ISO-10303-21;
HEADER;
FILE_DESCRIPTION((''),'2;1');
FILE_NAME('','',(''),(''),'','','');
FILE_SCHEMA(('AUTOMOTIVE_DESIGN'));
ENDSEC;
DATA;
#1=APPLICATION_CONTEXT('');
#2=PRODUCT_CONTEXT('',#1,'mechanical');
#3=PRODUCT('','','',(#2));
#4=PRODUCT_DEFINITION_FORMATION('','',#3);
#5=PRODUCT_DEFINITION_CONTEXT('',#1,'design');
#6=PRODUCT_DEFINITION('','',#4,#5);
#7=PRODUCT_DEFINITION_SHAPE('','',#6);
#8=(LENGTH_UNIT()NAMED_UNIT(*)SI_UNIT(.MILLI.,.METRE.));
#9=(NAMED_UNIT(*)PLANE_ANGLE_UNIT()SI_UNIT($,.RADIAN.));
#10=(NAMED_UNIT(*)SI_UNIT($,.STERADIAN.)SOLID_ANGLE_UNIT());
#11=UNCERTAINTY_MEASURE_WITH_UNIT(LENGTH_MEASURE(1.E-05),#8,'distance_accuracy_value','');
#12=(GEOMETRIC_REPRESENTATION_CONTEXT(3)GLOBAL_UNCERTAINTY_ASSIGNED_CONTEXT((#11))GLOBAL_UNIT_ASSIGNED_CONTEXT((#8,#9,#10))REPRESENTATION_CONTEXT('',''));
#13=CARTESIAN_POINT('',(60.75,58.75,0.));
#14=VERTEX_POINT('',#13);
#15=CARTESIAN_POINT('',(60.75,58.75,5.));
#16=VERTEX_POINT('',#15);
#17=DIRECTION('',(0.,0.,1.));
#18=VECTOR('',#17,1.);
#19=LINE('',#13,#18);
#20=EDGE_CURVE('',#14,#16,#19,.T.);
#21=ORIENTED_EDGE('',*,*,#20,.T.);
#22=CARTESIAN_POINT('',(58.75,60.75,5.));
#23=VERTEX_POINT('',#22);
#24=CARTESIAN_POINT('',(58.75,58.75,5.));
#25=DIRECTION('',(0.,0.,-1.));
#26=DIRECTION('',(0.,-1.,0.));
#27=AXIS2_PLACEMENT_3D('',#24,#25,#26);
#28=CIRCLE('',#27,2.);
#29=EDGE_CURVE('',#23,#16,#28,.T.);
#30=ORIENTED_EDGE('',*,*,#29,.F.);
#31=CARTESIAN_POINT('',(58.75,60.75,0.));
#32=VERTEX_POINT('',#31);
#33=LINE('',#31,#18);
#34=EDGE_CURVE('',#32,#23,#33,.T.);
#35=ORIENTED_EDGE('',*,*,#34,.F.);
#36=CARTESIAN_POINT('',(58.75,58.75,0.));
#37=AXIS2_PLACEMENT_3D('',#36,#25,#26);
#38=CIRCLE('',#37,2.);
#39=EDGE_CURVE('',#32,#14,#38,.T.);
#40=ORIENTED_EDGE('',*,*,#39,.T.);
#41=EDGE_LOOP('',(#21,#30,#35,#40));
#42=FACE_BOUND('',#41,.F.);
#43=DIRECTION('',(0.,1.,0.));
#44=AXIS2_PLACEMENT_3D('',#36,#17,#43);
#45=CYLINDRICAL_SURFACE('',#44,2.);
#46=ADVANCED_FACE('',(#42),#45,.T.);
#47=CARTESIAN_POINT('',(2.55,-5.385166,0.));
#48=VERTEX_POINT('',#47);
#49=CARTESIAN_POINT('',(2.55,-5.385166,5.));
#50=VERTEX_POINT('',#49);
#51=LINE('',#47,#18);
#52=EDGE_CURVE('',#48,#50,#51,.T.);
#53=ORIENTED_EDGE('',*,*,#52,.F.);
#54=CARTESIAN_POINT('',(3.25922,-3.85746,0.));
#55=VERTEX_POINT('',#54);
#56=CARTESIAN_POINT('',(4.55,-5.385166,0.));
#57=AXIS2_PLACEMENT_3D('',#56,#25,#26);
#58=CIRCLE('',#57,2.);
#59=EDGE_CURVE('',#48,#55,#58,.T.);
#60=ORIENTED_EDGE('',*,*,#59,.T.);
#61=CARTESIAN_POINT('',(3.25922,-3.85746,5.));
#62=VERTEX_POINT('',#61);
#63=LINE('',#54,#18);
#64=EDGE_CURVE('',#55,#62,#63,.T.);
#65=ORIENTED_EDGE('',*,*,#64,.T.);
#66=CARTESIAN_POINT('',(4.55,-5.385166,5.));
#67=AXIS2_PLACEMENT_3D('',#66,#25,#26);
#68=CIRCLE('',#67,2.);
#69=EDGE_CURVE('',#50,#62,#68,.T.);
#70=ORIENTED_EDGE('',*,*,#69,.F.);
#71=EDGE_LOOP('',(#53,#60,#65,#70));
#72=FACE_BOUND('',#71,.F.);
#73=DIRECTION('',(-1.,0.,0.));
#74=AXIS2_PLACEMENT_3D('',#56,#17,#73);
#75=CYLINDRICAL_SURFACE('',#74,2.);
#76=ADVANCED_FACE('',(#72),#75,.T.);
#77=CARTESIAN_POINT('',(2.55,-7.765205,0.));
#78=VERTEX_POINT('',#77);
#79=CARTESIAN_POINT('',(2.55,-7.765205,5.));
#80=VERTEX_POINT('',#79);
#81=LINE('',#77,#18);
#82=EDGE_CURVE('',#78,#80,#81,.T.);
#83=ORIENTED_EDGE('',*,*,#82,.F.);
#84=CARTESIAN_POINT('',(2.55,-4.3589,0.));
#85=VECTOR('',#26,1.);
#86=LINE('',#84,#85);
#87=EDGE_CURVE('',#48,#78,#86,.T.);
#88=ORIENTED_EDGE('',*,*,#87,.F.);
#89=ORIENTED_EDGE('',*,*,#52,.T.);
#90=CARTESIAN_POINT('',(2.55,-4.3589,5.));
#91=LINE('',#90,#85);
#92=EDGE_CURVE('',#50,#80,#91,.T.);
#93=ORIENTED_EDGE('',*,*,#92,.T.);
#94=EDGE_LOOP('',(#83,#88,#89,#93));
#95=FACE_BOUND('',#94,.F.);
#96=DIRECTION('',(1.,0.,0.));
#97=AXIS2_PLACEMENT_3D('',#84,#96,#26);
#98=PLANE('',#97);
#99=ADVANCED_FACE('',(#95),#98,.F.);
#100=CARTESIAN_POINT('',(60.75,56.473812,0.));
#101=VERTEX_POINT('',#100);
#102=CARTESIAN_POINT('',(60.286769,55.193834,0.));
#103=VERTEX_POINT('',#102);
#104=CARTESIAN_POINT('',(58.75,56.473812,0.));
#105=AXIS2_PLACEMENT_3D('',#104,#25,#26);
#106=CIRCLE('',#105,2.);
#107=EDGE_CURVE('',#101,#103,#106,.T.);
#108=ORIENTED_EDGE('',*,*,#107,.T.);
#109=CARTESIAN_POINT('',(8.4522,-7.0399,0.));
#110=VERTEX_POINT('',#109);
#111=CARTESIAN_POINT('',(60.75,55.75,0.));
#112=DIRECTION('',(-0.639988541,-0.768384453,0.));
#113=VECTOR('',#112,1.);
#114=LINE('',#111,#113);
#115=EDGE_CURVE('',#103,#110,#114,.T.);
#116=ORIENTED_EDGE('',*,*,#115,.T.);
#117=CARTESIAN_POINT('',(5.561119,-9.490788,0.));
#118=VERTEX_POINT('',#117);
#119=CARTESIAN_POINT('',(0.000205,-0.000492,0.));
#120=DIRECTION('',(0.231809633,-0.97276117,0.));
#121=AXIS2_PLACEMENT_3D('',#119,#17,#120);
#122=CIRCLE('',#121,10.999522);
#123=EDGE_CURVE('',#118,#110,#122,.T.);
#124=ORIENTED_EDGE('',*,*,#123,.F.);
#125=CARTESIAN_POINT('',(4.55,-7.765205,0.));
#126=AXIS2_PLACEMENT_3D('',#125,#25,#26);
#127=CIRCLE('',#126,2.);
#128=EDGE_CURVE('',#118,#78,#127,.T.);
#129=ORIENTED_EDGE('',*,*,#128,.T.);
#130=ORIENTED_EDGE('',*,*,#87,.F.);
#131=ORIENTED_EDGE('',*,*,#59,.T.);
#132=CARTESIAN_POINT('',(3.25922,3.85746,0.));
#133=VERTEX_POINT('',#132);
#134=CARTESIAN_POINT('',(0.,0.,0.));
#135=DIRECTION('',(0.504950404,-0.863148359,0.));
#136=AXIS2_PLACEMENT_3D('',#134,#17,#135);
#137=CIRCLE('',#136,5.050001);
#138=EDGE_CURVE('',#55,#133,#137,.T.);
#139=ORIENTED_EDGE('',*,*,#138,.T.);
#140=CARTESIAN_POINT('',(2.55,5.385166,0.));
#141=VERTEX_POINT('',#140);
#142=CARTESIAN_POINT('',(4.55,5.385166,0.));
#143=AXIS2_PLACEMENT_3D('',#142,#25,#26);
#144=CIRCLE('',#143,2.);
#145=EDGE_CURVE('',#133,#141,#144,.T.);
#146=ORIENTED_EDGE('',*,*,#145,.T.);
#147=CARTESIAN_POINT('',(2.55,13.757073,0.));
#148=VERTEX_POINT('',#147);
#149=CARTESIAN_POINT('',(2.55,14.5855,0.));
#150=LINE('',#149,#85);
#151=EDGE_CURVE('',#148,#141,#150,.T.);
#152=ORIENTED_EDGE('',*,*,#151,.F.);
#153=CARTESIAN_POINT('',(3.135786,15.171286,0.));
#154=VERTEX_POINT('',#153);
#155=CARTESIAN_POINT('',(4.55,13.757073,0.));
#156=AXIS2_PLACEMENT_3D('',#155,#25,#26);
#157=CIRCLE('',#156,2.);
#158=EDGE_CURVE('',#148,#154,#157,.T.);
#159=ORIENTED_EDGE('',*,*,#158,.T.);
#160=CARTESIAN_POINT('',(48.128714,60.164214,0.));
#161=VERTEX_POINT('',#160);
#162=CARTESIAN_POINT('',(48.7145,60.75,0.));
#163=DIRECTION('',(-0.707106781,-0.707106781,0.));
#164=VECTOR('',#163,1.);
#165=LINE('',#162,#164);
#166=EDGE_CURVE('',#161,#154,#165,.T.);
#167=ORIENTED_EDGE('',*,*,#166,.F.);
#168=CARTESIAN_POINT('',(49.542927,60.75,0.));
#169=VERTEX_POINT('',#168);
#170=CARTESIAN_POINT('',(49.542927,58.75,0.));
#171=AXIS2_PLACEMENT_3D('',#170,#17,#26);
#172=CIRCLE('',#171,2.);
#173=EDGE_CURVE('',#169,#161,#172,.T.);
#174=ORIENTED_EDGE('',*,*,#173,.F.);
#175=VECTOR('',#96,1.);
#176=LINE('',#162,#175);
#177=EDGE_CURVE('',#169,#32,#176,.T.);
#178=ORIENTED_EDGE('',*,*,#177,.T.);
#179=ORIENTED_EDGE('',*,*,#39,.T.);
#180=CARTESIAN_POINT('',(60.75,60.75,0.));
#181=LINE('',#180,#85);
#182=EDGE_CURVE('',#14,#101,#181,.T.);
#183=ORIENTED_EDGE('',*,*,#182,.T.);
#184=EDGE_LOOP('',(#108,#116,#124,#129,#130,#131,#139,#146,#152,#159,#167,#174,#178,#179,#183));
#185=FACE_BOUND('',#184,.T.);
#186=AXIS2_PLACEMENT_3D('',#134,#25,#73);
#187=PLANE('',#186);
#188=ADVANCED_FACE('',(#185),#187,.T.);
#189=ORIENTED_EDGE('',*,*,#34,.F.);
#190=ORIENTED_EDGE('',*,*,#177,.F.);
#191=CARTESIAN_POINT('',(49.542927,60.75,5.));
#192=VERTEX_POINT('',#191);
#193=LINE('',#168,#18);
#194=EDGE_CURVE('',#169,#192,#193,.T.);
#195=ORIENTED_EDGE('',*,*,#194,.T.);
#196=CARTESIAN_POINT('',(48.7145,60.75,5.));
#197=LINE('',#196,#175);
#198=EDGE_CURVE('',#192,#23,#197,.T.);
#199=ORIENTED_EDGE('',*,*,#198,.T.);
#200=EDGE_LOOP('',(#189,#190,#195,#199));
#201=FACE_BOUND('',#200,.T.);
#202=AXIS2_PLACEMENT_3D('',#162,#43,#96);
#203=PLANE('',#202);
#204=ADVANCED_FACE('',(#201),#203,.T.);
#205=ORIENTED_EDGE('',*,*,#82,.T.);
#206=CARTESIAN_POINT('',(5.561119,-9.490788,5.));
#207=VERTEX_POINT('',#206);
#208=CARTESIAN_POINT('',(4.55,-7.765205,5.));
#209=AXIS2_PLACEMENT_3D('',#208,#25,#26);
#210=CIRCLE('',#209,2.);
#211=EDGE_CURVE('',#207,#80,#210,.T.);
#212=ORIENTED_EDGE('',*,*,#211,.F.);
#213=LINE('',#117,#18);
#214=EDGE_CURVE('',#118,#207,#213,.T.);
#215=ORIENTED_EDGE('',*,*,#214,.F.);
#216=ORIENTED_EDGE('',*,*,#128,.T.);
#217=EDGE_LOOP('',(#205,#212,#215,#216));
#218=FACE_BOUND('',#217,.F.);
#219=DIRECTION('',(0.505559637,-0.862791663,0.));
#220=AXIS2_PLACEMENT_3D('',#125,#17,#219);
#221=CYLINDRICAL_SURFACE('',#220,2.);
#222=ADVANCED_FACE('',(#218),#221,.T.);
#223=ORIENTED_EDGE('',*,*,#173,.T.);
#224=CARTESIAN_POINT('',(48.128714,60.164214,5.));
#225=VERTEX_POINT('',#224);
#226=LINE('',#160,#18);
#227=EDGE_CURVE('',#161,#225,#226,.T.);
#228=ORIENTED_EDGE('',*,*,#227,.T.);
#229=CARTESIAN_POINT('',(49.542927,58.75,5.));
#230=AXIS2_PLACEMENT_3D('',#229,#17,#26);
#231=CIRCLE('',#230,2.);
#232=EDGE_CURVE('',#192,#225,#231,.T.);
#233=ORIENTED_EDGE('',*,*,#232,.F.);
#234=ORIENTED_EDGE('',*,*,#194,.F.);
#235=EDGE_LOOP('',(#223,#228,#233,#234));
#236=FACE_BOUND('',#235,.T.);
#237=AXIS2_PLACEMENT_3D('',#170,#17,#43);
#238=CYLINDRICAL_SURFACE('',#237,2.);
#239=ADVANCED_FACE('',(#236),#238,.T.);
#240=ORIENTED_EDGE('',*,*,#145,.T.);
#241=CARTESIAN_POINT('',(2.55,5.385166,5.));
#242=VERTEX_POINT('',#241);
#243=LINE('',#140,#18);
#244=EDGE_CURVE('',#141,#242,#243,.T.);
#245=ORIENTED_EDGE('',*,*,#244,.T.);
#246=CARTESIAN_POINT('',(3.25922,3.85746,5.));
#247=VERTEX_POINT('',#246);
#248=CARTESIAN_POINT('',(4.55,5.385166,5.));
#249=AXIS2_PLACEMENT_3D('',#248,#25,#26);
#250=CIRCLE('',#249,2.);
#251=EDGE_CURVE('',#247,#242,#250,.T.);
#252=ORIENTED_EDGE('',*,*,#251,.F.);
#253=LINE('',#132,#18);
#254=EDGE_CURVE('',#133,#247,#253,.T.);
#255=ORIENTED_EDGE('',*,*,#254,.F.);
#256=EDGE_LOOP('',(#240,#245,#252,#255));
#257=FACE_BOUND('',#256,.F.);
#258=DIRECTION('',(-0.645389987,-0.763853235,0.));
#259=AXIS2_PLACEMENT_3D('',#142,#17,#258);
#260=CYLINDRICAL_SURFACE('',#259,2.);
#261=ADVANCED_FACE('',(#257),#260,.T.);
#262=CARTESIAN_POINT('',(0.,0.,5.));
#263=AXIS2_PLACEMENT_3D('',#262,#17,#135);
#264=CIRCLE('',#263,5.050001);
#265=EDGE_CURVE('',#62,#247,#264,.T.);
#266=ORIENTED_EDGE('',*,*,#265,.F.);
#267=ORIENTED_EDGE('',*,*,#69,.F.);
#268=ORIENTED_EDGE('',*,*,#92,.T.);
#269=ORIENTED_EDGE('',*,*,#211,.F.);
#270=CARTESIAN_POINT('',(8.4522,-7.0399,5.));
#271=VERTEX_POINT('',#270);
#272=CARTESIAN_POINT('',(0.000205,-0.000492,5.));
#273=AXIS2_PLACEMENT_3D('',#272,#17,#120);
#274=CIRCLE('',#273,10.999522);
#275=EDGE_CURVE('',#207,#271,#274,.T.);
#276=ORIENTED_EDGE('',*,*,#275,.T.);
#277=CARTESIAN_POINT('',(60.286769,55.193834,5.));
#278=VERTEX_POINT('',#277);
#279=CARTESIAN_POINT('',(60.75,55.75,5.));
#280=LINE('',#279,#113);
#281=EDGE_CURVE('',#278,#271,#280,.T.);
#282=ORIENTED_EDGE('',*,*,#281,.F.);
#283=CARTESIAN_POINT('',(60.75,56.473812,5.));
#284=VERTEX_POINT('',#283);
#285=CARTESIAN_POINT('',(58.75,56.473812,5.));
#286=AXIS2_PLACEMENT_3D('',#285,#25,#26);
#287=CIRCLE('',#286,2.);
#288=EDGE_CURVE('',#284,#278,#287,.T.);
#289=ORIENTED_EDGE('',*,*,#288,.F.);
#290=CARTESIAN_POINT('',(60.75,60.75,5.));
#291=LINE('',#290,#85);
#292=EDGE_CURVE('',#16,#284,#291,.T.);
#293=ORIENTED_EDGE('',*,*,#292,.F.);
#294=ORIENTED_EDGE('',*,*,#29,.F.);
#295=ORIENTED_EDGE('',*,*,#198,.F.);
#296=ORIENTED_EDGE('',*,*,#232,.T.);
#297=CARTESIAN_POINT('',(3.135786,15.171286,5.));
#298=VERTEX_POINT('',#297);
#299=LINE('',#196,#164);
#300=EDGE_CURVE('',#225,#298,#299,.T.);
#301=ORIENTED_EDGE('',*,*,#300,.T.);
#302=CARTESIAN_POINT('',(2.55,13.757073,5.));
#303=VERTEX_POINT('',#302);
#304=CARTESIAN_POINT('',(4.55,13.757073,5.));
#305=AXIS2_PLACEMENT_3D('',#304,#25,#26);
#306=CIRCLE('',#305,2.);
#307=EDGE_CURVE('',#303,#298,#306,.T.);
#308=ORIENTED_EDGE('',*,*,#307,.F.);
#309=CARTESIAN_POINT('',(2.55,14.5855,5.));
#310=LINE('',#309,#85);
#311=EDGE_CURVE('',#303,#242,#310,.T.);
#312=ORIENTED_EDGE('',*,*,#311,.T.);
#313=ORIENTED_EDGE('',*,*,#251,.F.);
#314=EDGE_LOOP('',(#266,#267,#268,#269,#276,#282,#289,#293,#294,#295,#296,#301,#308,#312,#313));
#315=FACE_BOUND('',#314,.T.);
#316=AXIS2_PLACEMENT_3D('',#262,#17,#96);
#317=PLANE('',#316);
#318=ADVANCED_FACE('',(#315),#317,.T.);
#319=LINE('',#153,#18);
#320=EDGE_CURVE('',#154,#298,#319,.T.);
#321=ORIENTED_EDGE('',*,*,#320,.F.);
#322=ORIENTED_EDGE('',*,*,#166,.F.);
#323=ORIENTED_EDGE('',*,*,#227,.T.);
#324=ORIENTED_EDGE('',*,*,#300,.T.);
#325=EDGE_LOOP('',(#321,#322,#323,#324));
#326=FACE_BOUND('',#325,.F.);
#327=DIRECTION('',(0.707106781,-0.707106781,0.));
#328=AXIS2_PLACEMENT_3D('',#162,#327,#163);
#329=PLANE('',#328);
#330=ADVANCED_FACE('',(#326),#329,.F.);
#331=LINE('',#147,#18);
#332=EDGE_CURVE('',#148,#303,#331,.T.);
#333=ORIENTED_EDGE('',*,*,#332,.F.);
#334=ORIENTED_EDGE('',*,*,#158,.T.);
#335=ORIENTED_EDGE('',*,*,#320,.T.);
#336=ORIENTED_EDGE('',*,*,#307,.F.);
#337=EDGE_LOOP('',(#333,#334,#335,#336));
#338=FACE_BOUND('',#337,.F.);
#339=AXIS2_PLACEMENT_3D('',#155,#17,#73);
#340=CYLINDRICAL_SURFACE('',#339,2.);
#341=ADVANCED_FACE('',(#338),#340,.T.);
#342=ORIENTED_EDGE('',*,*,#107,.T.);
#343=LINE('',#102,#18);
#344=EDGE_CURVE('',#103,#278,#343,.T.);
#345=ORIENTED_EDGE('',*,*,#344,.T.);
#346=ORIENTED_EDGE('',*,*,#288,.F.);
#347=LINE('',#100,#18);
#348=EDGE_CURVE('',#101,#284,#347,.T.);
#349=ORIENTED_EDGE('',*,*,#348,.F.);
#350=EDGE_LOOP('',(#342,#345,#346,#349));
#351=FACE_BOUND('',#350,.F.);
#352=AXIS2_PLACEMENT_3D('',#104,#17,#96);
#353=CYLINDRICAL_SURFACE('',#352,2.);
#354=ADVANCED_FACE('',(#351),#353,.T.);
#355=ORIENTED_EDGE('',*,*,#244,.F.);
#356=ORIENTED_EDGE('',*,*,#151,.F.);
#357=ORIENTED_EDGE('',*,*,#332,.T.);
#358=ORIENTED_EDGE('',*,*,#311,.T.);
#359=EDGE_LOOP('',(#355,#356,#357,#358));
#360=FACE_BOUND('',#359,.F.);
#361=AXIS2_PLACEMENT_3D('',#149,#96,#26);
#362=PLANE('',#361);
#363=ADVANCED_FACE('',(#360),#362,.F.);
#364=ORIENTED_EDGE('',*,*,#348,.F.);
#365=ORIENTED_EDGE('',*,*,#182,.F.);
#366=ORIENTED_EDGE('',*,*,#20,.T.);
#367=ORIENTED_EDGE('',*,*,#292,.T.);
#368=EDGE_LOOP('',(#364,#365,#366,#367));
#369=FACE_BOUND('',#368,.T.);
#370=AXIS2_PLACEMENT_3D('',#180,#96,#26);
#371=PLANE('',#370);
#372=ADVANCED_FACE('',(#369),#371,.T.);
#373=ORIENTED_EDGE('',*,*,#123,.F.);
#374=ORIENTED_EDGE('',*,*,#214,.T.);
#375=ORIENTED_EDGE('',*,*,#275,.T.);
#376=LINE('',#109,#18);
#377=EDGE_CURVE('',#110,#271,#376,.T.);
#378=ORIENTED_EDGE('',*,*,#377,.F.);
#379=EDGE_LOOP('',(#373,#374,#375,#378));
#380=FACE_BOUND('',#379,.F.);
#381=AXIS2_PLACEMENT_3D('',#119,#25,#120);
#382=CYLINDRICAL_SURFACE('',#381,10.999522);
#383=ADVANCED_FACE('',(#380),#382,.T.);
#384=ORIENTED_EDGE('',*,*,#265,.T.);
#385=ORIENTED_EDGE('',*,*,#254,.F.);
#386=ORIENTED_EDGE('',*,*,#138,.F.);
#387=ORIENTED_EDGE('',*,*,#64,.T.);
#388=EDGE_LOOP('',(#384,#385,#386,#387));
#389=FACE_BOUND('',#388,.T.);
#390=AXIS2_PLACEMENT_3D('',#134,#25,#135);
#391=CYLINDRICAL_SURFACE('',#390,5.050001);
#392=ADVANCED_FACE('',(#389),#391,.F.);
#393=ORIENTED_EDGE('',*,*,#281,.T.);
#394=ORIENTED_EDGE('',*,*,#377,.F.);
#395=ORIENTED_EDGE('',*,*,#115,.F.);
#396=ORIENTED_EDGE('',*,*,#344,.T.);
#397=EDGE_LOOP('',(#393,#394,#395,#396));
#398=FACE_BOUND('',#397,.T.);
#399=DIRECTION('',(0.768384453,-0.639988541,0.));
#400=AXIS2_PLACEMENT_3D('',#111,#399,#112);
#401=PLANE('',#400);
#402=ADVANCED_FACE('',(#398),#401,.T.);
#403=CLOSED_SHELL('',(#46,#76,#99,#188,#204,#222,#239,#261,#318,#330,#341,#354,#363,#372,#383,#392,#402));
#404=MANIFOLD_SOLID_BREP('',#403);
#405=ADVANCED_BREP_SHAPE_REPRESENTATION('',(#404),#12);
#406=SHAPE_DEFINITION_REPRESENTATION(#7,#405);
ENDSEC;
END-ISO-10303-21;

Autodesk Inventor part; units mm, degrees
ref_plane "YZ Plane" through (0, 0, 0) normal (1, 0, 0) x (0, 1, 0)
ref_plane "XZ Plane" through (0, 0, 0) normal (0, 1, 0) x (-1, 0, 0)
ref_plane "XY Plane" through (0, 0, 0) normal (0, 0, 1) x (1, 0, 0)
sketch "スケッチ1" plane through (0, 0, 0) normal (0, 0, 1) x (1, 0, 0)
  circle A0 centre (0, 0) radius 11 construction
  circle A1 centre (0, 8.5) radius 1.35
  circle A2 centre (0, 8.5) radius 2.5 construction
  circle A3 centre (0, 0) radius 5.05 construction
  circle A4 centre (0, -8.5) radius 1.35
  line L0 (48.7145, 60.75) -> (2.55, 14.5855)
  line L1 (0, 0) -> (0, 48.2635) construction
  line L2 (60.75, 60.75) -> (0, 0) construction
  line L3 (48.7145, 60.75) -> (60.75, 60.75)
  line L4 (60.75, 60.75) -> (60.75, 55.75)
  arc A5 (2.55, -10.7004) -> (8.4522, -7.0399) centre (0, 0) ccw
  line L5 (60.75, 55.75) -> (8.4522, -7.0399)
  circle A6 centre (0, 0) radius 8.5 construction
  circle A7 centre (8.5, 0) radius 1.35
  line L6 (2.55, 14.5855) -> (2.55, 4.3589)
  arc A8 (2.55, -4.3589) -> (2.55, 4.3589) centre (0, 0) ccw
  line L7 (2.55, -4.3589) -> (2.55, -10.7004)
  dimension "d3" = 10.1
  dimension "d0" = 2.7
  dimension "d1" = 8.5
  dimension "d2" = 5
  dimension "d6" = 360
  dimension "d11" = 45
  dimension "d13" = 60.75
  dimension "d17" = 5
  dimension "d18" = 2.55
extrude "押し出し1" add sketch "スケッチ1" along normal blind 5 contours L3 L4 L5 A5 L7 A8 L6 L0
fillet "フィレット1" radius 2 7 edges at (2.55, -10.7004, 2.5) (2.55, -4.3589, 2.5) (2.55, 14.5855, 2.5) (60.75, 60.75, 2.5) (60.75, 55.75, 2.5) (48.7145, 60.75, 2.5) (2.55, 4.3589, 2.5)
sketch "スケッチ3" plane through (0, 0, 0) normal (0, 0, -1) x (-1, 0, 0)
  circle A0 centre (-8.5, 0) radius 1.35 projected
  circle A1 centre (-8.5, 0) radius 1.35
  point P0 (0, 0)
extrude "押し出し3" add sketch "スケッチ3" against normal up to surface (5 mm away) from surface at 0
ref_plane "作業平面1" through (0, 0, 4) normal (0, 0, -1) x (-1, 0, 0)
sketch "スケッチ4" plane through (0, 0, 4) normal (0, 0, -1) x (-1, 0, 0)
  point P0 (0, 0)
properties part number "頭_サブフレーム_1_1" material "アセタール樹脂、黒"
